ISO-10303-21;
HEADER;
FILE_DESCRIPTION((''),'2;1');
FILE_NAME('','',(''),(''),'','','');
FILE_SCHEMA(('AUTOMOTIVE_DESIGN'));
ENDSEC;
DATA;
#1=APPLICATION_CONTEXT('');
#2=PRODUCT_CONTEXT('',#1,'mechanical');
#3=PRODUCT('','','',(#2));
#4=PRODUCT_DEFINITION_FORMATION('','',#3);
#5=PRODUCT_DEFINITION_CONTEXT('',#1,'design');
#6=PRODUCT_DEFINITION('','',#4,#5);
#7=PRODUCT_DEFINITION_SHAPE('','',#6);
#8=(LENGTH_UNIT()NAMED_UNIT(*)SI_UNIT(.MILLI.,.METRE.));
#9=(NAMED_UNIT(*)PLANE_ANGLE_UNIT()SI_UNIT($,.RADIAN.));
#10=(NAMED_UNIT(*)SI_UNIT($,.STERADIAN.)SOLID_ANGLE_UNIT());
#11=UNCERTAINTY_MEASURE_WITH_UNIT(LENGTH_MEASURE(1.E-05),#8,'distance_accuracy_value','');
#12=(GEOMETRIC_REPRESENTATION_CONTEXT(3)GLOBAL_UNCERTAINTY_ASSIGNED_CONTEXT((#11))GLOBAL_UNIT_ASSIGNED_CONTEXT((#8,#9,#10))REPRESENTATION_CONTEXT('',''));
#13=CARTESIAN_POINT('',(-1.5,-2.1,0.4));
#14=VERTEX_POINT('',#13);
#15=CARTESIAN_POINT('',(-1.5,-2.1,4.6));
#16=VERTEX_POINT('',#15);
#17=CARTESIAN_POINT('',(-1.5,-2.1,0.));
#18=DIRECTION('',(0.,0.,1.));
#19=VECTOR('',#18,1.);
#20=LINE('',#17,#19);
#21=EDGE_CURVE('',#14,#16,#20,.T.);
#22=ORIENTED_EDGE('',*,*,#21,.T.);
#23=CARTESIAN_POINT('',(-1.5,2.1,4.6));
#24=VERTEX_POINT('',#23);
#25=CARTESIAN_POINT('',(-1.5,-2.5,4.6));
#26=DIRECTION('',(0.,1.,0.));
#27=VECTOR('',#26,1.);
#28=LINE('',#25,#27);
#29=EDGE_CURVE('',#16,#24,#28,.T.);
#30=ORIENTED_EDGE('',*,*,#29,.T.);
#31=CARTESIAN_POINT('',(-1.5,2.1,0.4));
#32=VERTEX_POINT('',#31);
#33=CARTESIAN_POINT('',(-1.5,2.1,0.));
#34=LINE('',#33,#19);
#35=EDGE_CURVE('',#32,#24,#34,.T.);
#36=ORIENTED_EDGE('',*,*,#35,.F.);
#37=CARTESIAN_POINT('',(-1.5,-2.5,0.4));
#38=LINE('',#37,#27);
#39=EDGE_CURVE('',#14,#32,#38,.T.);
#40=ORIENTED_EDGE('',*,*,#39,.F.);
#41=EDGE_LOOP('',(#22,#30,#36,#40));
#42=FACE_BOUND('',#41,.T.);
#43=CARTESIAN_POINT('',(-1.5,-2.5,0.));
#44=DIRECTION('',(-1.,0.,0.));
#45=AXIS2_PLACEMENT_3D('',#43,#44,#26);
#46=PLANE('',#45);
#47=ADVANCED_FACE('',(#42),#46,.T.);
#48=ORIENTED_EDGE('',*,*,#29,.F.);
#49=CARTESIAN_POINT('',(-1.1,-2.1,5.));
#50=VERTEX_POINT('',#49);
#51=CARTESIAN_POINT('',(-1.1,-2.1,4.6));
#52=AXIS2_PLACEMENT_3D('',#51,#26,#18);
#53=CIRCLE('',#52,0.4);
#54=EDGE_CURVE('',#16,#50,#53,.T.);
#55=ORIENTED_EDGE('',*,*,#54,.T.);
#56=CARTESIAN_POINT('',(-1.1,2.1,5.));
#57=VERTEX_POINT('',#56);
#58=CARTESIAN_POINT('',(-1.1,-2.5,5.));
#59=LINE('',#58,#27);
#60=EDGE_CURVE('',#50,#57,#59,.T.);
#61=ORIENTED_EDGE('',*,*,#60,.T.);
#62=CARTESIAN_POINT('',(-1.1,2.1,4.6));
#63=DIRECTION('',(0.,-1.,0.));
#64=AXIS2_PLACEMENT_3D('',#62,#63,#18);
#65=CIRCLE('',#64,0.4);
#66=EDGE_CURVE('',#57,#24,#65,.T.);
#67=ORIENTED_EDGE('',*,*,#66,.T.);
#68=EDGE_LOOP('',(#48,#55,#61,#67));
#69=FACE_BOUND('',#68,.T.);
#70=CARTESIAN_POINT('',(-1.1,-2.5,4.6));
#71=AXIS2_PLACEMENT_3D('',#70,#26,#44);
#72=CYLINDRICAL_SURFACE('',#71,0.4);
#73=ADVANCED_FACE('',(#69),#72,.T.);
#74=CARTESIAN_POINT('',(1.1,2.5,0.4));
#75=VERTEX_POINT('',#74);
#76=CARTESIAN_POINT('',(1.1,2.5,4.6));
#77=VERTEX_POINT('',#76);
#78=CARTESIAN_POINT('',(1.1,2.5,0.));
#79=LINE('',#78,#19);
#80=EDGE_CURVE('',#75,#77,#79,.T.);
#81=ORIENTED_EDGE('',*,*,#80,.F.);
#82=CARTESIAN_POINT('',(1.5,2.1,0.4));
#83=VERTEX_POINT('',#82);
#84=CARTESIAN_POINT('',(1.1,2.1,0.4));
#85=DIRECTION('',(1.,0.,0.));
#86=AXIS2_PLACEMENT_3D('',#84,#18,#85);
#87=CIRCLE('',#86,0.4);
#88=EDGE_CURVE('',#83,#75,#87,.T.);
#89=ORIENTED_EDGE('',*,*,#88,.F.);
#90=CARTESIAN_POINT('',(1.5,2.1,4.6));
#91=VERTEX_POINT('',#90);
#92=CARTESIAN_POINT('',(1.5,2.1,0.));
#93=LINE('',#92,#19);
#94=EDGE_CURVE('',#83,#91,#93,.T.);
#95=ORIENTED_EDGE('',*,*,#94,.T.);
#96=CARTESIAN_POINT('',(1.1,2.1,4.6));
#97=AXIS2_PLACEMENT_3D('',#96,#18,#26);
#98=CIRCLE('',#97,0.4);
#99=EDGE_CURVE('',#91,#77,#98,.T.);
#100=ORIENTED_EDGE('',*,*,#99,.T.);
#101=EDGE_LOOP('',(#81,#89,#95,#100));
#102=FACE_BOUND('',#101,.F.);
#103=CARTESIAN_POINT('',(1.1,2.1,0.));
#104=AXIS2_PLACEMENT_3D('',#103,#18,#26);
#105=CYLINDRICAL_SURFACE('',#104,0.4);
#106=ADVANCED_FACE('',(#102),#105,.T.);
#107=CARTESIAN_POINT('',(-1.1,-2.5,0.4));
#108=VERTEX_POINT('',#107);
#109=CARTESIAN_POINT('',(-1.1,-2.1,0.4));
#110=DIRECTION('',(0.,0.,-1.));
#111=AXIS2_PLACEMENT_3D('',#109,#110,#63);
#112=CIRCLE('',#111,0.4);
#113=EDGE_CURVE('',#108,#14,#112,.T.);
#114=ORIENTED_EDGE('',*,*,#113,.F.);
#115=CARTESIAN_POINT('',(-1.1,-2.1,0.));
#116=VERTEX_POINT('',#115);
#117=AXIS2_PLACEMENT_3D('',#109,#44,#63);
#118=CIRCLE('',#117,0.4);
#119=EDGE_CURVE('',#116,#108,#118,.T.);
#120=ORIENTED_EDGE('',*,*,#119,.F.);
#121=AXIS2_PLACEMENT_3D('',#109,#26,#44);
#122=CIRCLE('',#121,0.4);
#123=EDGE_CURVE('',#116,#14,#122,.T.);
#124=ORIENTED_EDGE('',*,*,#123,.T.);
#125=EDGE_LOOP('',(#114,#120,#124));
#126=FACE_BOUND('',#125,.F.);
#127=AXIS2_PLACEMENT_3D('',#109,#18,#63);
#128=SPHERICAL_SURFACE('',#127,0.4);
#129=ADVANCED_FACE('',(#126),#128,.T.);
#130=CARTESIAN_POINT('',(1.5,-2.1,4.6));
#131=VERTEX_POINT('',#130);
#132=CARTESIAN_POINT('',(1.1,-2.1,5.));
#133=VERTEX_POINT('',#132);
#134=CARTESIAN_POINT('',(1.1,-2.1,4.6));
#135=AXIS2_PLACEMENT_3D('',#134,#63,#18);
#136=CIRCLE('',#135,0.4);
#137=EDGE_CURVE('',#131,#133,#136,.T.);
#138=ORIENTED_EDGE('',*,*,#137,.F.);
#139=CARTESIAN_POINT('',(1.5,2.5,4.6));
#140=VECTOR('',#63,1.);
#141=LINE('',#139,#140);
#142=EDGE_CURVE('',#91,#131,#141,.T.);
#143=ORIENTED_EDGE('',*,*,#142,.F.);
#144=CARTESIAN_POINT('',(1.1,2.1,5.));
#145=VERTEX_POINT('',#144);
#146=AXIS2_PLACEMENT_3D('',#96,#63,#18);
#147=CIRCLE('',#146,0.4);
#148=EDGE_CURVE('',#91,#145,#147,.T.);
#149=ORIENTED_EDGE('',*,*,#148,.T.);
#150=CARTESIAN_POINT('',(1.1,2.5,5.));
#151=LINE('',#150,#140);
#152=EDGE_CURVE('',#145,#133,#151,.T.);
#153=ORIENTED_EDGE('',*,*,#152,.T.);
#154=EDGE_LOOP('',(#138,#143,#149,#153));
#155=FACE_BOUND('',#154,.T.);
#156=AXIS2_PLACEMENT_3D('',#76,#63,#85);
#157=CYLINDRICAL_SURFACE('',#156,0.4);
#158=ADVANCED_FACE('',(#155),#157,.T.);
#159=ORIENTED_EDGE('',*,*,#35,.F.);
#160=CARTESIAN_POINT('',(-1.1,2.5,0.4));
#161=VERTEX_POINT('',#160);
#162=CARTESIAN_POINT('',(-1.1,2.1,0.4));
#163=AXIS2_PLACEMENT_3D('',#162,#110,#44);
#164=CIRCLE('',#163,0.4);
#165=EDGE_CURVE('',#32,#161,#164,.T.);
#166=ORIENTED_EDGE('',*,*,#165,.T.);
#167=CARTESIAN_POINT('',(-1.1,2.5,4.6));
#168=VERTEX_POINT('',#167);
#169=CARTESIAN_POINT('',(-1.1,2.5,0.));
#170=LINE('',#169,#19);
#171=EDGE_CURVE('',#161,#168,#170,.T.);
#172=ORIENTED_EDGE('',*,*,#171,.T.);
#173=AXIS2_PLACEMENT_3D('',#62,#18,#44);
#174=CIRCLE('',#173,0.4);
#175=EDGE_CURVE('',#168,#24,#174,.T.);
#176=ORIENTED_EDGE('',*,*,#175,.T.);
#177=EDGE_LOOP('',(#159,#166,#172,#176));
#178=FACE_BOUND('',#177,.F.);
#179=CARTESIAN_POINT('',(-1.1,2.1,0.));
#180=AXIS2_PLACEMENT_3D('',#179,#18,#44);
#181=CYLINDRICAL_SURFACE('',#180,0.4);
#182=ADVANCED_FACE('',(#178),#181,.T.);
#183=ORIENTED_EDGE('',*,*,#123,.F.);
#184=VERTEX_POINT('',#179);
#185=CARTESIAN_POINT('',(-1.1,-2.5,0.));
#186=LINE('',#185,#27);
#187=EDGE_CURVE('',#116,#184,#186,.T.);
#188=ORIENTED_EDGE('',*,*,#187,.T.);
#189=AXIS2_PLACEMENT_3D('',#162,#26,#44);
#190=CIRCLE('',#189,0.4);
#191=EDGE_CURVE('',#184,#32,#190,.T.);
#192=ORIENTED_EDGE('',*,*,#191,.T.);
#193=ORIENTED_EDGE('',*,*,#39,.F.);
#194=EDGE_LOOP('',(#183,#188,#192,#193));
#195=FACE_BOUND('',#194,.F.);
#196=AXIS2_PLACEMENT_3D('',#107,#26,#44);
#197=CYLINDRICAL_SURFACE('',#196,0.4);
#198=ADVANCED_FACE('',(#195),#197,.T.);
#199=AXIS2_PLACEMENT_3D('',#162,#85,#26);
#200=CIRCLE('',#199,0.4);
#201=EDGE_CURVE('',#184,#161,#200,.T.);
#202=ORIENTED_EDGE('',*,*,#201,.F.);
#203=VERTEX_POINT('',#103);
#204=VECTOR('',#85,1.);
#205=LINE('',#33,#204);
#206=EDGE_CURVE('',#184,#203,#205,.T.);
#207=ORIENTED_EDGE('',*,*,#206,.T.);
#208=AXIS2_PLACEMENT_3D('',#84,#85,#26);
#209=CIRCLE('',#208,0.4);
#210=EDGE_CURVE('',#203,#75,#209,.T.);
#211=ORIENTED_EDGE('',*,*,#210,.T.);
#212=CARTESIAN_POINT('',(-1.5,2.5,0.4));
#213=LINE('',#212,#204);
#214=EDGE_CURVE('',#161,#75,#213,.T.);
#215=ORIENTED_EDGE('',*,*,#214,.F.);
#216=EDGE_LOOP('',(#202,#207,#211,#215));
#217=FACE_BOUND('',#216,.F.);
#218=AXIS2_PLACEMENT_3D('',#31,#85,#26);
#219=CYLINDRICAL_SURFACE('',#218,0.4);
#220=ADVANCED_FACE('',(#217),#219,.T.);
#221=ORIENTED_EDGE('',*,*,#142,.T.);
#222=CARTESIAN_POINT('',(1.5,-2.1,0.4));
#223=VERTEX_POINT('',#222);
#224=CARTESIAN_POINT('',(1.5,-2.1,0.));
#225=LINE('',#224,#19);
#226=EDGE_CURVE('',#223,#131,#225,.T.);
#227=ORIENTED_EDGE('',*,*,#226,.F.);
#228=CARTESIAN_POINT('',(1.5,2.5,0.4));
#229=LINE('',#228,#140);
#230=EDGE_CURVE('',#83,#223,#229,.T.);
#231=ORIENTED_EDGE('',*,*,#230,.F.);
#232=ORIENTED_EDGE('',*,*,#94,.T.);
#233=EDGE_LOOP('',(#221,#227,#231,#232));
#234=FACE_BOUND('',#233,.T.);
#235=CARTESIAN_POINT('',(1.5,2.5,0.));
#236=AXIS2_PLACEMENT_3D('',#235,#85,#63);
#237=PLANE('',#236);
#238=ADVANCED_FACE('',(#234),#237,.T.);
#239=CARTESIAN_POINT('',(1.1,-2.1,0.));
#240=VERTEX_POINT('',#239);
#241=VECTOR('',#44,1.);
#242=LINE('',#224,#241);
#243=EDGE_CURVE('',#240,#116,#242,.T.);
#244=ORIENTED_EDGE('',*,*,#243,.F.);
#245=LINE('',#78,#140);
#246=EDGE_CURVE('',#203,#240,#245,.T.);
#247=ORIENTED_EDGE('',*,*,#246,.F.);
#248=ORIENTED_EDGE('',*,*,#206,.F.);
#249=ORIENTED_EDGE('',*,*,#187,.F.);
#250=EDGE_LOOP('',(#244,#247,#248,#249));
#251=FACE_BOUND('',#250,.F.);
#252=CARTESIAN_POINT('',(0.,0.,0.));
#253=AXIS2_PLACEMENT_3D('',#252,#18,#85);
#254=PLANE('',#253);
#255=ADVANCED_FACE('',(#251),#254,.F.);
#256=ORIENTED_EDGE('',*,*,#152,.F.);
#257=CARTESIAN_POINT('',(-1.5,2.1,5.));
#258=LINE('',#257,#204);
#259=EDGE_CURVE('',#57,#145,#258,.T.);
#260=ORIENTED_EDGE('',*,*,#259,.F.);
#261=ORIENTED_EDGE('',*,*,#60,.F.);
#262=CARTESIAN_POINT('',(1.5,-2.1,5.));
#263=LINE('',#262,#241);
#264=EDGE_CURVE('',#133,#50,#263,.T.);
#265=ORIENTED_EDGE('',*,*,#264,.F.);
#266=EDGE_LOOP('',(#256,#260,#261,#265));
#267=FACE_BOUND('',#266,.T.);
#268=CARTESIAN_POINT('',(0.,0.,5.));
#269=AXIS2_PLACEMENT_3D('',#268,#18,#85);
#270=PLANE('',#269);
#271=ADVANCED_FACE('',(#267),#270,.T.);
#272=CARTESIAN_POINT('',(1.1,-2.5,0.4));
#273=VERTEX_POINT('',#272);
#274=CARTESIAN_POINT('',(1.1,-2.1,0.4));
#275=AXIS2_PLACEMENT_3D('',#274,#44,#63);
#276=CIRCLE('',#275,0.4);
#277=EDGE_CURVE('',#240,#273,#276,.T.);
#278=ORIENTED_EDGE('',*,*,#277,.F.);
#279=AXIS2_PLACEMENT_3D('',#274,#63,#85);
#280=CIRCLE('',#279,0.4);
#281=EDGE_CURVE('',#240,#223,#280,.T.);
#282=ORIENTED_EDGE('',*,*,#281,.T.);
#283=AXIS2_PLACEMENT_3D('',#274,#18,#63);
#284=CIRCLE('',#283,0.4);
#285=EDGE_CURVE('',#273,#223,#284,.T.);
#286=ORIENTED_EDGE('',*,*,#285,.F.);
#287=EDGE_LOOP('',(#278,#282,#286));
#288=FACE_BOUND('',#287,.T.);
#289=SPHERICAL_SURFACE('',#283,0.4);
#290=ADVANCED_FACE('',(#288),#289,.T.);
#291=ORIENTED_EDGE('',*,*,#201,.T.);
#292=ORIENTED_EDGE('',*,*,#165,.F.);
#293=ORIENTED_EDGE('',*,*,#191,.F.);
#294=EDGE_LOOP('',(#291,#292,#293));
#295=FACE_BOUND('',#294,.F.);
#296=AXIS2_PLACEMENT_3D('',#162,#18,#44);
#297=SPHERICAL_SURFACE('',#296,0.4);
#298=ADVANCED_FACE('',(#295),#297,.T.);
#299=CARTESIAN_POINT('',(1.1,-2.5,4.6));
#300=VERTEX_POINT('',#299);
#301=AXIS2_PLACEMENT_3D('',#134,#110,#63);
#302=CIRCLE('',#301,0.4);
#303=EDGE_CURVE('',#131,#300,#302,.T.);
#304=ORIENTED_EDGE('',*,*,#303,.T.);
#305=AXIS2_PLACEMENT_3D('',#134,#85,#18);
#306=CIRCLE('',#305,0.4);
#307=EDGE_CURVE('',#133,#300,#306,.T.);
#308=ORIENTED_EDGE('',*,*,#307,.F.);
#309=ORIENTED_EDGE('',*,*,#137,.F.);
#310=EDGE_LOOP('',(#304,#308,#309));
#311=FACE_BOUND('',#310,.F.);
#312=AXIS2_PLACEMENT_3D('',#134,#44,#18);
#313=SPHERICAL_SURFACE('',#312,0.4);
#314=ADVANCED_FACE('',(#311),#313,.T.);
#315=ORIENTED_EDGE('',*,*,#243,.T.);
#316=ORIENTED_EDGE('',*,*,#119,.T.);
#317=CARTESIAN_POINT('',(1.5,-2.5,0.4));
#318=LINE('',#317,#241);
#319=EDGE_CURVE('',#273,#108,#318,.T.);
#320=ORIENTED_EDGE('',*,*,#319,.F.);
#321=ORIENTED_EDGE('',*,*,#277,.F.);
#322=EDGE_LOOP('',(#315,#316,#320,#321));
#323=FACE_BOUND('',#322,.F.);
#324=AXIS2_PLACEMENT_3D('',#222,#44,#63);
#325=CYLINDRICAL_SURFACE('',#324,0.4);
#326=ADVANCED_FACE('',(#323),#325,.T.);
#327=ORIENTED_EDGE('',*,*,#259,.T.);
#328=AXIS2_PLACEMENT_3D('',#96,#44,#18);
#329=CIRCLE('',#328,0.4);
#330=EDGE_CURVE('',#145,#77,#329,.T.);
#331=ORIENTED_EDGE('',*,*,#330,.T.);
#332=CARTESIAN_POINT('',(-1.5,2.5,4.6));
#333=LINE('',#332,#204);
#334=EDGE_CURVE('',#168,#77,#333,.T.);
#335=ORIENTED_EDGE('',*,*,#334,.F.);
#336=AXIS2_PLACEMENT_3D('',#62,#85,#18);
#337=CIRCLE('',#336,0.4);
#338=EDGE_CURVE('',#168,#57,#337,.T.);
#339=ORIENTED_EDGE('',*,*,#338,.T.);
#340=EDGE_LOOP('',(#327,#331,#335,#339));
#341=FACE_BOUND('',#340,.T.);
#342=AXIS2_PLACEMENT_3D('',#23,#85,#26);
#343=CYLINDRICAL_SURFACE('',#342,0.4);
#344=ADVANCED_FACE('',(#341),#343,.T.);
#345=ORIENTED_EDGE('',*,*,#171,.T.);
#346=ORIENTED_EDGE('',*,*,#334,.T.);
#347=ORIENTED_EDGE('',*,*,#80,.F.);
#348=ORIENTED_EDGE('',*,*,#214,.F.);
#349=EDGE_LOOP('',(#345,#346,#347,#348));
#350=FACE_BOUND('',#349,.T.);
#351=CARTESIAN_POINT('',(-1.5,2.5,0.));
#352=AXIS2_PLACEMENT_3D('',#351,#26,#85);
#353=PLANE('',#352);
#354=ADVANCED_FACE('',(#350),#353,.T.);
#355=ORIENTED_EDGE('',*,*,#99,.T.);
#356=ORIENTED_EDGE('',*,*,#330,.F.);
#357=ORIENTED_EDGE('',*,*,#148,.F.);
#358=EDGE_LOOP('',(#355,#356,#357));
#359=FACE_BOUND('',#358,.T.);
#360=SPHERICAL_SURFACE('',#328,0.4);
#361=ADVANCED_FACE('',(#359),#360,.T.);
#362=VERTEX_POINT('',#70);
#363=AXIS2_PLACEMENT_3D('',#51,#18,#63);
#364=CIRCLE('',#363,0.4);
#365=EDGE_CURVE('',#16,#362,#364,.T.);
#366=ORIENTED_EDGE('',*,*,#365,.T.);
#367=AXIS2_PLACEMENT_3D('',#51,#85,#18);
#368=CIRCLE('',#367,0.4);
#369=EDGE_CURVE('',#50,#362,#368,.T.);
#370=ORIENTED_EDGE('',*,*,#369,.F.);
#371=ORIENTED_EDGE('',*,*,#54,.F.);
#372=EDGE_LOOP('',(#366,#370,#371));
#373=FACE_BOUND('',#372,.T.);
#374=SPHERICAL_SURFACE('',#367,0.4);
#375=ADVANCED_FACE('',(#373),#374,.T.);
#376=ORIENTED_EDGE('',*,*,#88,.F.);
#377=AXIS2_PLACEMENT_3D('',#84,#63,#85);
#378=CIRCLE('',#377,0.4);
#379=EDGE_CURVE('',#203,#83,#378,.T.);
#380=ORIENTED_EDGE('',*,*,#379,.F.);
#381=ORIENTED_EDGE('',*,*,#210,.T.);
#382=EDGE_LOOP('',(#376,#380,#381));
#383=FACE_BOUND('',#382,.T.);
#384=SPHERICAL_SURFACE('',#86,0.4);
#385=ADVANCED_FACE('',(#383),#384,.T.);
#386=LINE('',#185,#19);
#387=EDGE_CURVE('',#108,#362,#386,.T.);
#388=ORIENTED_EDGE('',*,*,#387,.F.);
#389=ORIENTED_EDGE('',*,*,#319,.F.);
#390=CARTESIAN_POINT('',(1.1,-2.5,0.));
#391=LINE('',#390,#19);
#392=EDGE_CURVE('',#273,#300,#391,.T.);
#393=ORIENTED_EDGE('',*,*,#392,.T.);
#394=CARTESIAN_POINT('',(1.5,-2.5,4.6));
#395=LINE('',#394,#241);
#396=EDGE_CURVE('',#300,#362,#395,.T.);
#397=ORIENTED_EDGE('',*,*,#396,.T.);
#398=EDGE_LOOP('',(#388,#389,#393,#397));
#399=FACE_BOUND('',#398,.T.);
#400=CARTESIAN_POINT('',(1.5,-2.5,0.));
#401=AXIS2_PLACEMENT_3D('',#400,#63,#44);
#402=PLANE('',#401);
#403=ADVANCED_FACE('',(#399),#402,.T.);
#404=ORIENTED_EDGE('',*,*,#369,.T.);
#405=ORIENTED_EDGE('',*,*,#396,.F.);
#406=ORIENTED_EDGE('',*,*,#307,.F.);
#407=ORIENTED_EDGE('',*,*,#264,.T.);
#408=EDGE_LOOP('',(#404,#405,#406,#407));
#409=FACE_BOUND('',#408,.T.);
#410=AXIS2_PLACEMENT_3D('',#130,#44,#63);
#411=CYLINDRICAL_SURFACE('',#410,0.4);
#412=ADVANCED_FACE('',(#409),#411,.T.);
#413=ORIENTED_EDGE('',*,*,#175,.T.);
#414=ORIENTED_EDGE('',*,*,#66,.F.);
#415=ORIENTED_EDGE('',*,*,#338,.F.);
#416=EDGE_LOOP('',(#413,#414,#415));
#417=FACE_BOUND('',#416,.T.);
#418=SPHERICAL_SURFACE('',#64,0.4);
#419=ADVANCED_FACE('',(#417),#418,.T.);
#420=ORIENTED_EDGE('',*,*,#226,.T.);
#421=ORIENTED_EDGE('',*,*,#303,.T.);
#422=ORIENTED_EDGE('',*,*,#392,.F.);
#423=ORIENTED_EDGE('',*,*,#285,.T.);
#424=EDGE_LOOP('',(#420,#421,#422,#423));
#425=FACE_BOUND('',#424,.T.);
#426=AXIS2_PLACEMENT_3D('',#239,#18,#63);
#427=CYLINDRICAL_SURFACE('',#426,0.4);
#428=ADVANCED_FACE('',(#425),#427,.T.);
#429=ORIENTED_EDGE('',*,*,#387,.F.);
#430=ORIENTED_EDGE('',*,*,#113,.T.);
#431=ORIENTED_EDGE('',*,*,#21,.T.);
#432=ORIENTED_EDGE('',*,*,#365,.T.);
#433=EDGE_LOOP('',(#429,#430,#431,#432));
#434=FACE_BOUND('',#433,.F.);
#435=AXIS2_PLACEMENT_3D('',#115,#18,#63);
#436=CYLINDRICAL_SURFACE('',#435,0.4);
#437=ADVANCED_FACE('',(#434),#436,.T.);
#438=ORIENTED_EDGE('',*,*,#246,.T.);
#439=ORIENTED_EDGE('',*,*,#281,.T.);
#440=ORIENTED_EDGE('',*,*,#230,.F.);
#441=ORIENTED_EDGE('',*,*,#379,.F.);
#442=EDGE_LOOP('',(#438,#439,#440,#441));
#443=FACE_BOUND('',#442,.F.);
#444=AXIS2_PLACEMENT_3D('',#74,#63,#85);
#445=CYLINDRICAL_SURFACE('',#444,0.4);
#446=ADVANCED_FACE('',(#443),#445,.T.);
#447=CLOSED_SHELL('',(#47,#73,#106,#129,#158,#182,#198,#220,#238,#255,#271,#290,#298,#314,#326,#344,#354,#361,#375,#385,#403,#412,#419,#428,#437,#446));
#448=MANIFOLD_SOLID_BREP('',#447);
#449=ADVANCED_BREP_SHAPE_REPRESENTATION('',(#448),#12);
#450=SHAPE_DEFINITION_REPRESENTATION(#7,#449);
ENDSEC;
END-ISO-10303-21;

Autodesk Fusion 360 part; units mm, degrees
sketch "Sketch1" plane through (0, 0, 0) normal (0, 0, 1) x (1, 0, 0)
  line L0 (1.5, -2.5) -> (-1.5, -2.5)
  line L1 (-1.5, -2.5) -> (-1.5, 2.5)
  line L2 (-1.5, 2.5) -> (1.5, 2.5)
  line L3 (1.5, 2.5) -> (1.5, -2.5)
  line L4 (1.5, -2.5) -> (-1.5, 2.5) construction
  line L5 (-1.5, -2.5) -> (1.5, 2.5) construction
  dimension "d1" = 3
  dimension "d2" = 5
extrude "Extrude1" add sketch "Sketch1" along normal blind 5
fillet "Fillet1" radius 0.4 6 faces at (0.5, -0.8333, 5) (0.5, -2.5, 1.6667) (1.5, 0.8333, 1.6667) (-1.5, -0.8333, 1.6667) (-0.5, 2.5, 1.6667) (0.5, -0.8333, 0)
